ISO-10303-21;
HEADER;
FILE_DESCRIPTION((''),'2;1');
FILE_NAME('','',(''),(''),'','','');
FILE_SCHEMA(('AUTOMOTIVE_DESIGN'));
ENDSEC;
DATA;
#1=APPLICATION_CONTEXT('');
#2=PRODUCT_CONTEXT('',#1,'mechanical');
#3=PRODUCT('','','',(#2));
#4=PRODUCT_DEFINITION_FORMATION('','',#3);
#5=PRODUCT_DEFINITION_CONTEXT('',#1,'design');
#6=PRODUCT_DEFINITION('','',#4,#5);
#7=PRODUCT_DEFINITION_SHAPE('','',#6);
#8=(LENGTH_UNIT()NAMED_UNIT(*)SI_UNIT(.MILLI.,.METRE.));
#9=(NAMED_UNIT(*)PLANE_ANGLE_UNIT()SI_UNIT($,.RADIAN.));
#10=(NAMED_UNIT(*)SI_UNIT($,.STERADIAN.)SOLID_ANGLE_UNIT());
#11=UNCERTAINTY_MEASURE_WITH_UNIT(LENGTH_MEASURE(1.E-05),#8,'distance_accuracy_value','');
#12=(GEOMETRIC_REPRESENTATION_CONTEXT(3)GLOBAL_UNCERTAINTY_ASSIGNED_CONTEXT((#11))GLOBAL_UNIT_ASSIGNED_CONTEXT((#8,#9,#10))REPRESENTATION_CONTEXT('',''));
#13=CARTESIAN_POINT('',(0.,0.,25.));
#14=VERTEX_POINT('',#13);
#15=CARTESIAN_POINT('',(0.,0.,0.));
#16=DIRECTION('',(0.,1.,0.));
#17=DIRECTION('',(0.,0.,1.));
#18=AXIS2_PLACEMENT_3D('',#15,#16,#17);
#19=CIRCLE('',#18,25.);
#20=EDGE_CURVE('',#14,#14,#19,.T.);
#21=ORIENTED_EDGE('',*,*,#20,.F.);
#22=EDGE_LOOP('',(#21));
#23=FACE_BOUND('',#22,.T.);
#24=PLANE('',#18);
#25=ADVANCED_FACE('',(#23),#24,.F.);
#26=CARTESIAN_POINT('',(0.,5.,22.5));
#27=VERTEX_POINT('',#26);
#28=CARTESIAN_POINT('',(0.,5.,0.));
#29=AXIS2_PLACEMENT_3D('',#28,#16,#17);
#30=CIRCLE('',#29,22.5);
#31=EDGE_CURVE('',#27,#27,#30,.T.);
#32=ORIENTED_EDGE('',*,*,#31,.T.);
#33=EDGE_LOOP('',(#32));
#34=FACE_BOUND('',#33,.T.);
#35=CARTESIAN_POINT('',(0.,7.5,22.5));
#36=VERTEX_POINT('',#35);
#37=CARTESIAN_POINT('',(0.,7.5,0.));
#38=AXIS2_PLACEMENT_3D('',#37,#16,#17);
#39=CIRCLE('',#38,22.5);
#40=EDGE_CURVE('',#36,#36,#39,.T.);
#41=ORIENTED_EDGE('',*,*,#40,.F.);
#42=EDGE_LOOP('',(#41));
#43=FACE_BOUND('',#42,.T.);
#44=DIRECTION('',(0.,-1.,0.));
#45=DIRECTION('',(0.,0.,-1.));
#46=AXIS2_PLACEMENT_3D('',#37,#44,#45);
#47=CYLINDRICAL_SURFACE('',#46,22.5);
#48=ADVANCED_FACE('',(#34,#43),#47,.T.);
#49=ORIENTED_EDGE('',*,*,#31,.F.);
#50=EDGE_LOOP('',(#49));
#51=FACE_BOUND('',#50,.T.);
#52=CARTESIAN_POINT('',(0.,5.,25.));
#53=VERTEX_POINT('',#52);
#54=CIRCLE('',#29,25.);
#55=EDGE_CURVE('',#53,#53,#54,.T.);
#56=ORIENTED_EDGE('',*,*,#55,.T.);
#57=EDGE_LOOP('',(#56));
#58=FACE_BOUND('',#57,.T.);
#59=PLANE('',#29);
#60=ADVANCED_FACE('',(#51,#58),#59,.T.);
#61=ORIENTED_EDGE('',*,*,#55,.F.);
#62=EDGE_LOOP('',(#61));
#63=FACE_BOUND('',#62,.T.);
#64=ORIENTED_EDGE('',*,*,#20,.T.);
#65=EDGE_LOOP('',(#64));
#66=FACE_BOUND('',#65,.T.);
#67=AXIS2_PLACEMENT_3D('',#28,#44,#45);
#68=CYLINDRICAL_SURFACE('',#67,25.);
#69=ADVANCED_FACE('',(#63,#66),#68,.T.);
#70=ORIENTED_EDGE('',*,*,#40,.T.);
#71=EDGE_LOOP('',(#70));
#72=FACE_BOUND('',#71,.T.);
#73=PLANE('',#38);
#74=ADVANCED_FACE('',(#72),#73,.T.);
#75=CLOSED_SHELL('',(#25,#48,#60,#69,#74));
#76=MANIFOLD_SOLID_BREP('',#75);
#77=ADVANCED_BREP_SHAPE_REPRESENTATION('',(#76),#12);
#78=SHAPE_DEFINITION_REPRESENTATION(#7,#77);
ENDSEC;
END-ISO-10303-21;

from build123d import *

# Parameters (mm, degrees)
CROQUIS1_R              = 25
SALIENTE_EXTRUIR1_DEPTH = 5
CROQUIS2_R              = 22.5
SALIENTE_EXTRUIR2_DEPTH = 2.5


with BuildPart() as part:
    # Croquis1 → Saliente-Extruir1 (new body)
    with BuildSketch(Plane(origin=(0, 0, 0), x_dir=(1, 0, 0), z_dir=(0, 1, 0))):
        Circle(CROQUIS1_R)
    extrude(amount=SALIENTE_EXTRUIR1_DEPTH)

    # Croquis2 → Saliente-Extruir2 (add)
    with BuildSketch(Plane(origin=(0, 5, 0), x_dir=(1, 0, 0), z_dir=(0, 1, 0))):
        Circle(CROQUIS2_R)
    extrude(amount=SALIENTE_EXTRUIR2_DEPTH)


solid = part.part
